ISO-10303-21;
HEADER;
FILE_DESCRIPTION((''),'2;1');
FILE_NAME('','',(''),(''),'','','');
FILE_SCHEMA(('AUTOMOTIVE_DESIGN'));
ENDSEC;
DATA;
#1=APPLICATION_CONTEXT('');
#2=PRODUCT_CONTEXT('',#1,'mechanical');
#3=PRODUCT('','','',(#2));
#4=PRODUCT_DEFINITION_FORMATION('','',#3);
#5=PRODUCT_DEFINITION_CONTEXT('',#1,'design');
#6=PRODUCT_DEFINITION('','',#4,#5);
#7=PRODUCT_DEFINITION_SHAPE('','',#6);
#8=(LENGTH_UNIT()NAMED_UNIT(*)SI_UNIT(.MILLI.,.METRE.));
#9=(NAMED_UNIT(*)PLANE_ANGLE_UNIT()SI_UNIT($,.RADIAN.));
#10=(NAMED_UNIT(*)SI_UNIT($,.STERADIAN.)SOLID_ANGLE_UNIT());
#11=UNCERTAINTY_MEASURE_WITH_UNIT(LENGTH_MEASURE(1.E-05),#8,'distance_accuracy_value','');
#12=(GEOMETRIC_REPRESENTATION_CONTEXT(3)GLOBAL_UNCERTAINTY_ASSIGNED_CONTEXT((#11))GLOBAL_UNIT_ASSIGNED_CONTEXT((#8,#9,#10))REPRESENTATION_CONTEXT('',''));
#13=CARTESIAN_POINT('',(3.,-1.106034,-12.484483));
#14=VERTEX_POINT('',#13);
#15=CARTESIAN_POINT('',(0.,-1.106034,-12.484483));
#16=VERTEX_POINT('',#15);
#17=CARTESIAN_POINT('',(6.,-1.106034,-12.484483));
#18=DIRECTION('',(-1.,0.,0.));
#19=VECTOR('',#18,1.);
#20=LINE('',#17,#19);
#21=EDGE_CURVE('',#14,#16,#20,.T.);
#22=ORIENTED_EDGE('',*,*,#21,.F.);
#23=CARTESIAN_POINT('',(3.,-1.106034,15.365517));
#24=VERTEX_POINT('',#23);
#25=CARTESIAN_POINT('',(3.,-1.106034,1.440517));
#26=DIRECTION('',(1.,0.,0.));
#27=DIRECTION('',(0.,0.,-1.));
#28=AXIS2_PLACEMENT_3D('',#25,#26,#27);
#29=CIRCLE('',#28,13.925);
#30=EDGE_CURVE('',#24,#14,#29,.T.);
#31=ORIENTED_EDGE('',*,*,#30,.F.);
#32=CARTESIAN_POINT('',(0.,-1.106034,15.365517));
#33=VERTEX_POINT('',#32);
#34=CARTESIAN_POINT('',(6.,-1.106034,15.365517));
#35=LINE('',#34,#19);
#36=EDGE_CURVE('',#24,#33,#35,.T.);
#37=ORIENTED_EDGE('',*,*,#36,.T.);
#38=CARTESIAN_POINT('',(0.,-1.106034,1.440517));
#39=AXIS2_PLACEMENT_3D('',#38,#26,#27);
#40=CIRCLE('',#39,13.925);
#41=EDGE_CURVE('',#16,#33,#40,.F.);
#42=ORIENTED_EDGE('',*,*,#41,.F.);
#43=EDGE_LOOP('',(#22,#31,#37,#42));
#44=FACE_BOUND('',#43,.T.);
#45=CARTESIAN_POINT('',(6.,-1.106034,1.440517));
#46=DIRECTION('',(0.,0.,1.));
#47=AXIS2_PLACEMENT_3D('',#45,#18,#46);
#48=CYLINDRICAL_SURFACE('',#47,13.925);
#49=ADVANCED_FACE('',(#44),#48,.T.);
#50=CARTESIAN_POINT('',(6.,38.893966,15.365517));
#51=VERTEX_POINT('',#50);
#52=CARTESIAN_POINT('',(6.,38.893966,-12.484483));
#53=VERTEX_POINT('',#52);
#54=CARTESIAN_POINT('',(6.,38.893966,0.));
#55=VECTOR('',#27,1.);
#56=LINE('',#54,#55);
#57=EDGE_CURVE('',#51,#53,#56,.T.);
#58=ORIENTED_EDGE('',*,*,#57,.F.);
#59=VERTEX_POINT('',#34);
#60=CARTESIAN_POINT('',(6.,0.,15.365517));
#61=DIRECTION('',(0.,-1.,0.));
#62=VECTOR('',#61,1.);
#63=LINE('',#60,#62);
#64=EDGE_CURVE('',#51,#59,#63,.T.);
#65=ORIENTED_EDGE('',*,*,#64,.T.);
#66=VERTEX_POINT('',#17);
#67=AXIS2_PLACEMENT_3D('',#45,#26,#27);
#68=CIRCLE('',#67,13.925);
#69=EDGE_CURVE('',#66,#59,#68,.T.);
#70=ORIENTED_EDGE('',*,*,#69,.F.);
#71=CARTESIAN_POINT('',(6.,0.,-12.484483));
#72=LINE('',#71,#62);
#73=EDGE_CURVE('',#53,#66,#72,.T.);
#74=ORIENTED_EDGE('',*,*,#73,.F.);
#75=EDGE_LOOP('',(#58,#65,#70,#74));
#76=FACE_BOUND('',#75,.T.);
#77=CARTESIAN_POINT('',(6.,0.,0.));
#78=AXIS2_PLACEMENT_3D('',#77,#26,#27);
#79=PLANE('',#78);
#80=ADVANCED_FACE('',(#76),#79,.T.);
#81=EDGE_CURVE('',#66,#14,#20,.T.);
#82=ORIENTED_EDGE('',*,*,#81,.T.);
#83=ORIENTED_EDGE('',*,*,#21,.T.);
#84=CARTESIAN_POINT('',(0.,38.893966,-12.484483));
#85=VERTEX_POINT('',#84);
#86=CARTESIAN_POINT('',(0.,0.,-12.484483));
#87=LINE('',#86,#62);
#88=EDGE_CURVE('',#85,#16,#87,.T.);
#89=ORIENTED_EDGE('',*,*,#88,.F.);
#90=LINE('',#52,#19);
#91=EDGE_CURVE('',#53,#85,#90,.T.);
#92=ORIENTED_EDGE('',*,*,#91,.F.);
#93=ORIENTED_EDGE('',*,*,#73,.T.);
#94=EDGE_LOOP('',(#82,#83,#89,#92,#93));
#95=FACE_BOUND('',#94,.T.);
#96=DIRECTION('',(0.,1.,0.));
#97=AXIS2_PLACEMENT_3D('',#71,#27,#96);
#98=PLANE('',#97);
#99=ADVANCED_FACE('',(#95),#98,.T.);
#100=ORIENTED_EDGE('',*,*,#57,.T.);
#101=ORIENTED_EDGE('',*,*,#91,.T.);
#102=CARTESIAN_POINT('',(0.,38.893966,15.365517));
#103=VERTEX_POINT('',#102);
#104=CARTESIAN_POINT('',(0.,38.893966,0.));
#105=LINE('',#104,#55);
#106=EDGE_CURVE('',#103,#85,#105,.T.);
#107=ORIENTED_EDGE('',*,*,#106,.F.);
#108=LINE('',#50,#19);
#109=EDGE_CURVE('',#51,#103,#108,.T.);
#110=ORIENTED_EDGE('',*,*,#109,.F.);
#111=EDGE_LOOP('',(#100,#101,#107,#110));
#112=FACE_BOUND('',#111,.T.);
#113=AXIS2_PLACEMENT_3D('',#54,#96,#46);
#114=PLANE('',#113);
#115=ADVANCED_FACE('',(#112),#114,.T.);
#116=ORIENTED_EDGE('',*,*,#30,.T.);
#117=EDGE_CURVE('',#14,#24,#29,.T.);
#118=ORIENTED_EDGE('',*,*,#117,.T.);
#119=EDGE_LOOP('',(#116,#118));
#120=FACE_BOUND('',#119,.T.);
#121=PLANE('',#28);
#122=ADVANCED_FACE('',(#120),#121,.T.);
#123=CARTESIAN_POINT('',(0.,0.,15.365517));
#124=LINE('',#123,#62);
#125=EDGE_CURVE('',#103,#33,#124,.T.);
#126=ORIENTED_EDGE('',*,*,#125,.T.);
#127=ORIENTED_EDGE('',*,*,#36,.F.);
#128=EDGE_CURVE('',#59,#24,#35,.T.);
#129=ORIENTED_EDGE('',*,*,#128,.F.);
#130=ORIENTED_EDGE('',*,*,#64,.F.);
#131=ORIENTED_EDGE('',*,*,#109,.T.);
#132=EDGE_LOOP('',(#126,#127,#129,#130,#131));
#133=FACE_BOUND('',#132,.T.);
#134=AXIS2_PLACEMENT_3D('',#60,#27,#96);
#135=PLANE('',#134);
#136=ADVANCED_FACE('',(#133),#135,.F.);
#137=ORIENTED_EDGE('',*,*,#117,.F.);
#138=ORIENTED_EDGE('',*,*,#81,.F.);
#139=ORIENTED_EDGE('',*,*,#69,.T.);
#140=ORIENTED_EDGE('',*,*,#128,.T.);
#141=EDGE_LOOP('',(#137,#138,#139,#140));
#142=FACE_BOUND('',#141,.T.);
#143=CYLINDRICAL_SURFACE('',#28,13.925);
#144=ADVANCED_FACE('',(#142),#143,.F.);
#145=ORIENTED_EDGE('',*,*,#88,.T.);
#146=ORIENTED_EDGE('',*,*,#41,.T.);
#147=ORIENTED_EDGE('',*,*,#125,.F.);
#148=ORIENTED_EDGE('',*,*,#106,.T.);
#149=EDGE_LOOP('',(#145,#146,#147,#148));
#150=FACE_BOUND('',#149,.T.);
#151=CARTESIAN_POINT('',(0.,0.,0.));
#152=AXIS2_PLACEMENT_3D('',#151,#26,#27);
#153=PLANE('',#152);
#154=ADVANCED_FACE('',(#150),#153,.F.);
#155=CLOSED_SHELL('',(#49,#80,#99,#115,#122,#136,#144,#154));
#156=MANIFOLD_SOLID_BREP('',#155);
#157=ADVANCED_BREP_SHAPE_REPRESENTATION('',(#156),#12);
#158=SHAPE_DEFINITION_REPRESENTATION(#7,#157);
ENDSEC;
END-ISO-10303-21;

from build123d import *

# Parameters (mm, degrees)
ESQUISSE1_W             = 27.85
ESQUISSE1_H             = 40
BOSS_EXTRU_1_DEPTH      = 6
ESQUISSE2_R             = 13.925
ENL_V_MAT_EXTRU_1_DEPTH = 3


with BuildPart() as part:
    # Esquisse1 → Boss.-Extru.1 (new body)
    with BuildSketch(Plane(origin=(0, 0, 0), x_dir=(0, 0, -1), z_dir=(1, 0, 0))):
        with Locations((-1.440517241, 18.893965517)):
            Rectangle(ESQUISSE1_W, ESQUISSE1_H)
        with BuildLine():
            ThreePointArc((12.484482759, -1.106034483), (-1.440517241, -15.031034483), (-15.365517241, -1.106034483))
            Line((-15.365517241, -1.106034483), (12.484482759, -1.106034483))
        make_face()
    extrude(amount=BOSS_EXTRU_1_DEPTH)

    # Esquisse2 → Enlèv. mat.-Extru.1 (cut)
    with BuildSketch(Plane(origin=(6, 0, 0), x_dir=(0, 0, -1), z_dir=(1, 0, 0))):
        with Locations((-1.440517241, -1.106034483)):
            Circle(ESQUISSE2_R)
    extrude(amount=-ENL_V_MAT_EXTRU_1_DEPTH, mode=Mode.SUBTRACT)


solid = part.part
